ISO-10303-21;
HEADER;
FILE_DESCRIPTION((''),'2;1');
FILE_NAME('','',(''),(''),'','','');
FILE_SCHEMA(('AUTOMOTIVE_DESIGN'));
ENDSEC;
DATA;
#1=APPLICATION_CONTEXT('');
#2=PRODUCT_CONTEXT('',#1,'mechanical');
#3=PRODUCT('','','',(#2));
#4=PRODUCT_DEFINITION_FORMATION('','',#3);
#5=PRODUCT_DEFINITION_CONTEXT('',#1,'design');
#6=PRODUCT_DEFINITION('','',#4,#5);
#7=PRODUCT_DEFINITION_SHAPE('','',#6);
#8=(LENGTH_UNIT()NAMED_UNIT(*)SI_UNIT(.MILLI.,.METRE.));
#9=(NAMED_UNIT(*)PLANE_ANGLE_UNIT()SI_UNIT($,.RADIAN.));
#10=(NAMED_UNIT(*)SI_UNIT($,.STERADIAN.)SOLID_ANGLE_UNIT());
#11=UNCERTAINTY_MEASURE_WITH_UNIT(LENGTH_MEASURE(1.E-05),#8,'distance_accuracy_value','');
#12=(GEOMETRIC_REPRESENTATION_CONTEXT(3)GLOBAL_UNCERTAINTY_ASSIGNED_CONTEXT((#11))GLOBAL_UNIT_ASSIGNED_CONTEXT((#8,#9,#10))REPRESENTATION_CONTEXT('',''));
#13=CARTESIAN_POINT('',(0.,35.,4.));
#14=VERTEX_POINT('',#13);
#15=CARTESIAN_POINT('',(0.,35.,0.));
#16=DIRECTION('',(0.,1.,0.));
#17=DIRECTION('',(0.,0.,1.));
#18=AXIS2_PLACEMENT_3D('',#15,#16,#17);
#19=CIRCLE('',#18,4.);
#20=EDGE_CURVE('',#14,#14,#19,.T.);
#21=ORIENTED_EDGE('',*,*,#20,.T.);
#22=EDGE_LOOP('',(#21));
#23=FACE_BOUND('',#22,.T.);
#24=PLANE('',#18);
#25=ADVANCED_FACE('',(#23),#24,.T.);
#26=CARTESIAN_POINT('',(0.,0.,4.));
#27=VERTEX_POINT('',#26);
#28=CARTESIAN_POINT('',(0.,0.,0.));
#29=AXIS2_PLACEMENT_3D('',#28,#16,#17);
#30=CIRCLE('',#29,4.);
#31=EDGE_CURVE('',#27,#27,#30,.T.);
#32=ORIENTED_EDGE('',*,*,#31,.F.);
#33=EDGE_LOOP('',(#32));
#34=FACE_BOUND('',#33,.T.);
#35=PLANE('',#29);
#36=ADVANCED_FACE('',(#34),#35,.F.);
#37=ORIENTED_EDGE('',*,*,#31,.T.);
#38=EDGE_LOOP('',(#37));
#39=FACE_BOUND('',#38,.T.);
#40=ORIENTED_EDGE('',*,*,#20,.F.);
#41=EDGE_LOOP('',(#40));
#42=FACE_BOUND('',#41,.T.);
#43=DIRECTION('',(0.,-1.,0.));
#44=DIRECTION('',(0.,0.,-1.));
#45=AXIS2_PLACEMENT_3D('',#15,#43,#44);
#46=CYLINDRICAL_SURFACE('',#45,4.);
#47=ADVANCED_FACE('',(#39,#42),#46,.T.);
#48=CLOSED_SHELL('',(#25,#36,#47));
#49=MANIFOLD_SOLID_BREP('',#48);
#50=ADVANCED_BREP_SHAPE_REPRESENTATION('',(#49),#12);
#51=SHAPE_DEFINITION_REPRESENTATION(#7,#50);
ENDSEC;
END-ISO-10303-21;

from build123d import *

# Parameters (mm, degrees)
SKETCH_1_R      = 4
EXTRUDE_1_DEPTH = 35


with BuildPart() as part:
    # 草图1 → 凸台-拉伸1 (new body)
    with BuildSketch(Plane(origin=(0, 0, 0), x_dir=(1, 0, 0), z_dir=(0, 1, 0))):
        with Locations(Location((0, 0, 0), (0, 0, 270))):
            Circle(SKETCH_1_R)
    extrude(amount=EXTRUDE_1_DEPTH)


solid = part.part
